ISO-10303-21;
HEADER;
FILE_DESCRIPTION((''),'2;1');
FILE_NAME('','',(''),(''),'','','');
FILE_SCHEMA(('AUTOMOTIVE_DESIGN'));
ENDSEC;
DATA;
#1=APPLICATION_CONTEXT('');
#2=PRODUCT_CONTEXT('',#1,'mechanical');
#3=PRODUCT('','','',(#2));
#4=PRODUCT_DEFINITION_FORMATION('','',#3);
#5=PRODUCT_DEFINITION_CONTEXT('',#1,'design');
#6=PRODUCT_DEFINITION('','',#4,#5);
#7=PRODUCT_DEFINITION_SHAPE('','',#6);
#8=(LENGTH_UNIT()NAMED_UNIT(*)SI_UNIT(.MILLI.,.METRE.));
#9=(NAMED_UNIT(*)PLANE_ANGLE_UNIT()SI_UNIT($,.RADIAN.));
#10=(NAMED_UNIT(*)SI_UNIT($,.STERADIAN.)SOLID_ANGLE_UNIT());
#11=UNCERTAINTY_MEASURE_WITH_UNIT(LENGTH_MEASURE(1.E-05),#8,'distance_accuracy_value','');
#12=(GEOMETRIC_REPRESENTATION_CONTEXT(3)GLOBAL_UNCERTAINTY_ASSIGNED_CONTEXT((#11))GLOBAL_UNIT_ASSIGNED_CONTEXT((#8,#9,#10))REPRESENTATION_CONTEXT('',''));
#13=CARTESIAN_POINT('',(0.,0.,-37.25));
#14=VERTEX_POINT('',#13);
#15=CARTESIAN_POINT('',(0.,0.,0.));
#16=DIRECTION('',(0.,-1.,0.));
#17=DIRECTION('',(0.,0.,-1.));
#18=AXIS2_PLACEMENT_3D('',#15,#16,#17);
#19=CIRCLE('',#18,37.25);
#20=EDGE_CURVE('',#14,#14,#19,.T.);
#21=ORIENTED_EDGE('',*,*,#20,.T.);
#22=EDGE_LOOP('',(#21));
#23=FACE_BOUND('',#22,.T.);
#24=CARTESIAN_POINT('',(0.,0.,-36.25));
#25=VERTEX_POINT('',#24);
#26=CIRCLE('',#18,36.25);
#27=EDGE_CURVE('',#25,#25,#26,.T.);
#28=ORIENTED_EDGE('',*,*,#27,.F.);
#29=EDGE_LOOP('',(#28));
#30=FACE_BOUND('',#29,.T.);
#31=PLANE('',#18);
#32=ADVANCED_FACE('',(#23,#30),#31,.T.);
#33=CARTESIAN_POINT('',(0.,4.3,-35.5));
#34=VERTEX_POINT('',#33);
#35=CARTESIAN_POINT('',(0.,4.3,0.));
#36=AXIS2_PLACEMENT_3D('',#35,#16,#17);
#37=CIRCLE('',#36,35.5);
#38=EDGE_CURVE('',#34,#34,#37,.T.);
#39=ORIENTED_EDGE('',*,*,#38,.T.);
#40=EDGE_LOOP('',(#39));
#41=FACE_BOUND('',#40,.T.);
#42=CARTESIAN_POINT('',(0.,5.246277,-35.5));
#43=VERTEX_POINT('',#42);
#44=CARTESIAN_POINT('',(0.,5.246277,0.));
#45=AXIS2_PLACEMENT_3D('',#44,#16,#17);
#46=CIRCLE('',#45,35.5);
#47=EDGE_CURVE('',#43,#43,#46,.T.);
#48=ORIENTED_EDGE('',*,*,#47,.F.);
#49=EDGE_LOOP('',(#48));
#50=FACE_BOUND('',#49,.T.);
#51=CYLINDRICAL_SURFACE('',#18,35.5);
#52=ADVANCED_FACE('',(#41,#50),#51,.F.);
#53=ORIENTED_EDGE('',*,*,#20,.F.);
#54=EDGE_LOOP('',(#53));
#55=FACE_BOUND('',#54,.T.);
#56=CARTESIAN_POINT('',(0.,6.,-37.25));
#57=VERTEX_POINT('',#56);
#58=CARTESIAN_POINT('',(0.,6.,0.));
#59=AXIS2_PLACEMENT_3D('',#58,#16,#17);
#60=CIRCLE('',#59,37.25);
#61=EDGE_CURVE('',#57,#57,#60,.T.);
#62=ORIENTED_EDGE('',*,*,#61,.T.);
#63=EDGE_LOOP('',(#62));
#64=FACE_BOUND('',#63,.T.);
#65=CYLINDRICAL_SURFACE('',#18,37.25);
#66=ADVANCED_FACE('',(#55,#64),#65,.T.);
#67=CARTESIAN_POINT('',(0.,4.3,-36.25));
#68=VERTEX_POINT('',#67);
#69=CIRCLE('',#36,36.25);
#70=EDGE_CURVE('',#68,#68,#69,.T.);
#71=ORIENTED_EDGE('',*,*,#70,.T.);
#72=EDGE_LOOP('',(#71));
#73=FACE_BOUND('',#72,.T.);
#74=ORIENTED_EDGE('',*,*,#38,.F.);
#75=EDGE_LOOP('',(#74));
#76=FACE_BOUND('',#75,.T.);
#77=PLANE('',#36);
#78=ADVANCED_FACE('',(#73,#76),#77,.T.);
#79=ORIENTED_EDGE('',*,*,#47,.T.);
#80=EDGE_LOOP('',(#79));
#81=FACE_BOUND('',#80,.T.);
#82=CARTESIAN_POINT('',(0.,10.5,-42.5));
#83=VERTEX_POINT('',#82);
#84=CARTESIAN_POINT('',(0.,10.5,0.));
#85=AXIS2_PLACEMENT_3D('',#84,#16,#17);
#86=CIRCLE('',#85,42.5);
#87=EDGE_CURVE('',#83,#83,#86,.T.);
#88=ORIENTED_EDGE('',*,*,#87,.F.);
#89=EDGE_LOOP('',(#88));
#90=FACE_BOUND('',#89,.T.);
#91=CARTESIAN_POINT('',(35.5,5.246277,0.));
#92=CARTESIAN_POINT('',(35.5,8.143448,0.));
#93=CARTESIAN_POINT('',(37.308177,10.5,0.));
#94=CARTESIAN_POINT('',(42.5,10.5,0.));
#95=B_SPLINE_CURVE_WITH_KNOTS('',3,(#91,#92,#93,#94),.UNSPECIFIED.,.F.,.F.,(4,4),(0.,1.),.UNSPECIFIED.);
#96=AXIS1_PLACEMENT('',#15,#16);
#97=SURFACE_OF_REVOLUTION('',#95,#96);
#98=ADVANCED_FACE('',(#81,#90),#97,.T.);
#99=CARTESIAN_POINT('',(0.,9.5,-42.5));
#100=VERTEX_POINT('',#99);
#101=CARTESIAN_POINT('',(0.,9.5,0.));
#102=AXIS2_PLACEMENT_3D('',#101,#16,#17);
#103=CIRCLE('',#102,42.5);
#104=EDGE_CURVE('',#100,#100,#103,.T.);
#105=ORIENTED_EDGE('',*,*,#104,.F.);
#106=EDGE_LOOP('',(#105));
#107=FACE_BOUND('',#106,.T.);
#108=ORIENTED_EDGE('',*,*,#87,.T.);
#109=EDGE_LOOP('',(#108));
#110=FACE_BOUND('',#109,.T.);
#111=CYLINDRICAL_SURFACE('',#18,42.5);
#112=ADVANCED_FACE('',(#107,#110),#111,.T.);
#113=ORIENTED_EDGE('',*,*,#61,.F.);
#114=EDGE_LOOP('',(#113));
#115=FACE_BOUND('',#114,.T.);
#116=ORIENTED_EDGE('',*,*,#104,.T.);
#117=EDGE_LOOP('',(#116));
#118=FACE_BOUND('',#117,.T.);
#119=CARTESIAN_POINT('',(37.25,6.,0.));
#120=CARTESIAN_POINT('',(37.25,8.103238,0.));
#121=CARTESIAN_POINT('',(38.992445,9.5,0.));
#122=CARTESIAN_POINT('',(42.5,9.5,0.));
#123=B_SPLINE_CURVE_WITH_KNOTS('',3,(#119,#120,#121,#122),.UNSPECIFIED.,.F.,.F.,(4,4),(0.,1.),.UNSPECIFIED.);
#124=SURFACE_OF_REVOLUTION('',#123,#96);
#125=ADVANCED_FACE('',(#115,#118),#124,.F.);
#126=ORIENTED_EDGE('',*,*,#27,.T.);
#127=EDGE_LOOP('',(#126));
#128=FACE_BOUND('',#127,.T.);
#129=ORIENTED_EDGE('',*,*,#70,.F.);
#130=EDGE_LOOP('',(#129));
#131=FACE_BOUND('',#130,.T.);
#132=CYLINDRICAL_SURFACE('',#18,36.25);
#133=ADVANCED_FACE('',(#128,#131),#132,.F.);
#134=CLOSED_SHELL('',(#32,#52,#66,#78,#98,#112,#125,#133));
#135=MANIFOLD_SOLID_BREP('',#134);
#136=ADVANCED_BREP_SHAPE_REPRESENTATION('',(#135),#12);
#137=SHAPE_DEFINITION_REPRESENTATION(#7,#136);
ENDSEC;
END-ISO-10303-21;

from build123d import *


with BuildPart() as part:
    # Эскиз1 → Повернуть1 (revolve)
    with BuildSketch(Plane.XY, mode=Mode.PRIVATE) as revolve_1_sk:
        with BuildLine():
            add(Edge.make_bspline(
                [(35.5, 5.246277438), (35.5, 8.143447641), (37.308176534, 10.5), (42.5, 10.5)],
                knots=[0, 0, 0, 0, 1, 1, 1, 1], degree=3))
            Line((42.5, 10.5), (42.5, 9.5))
            add(Edge.make_bspline(
                [(37.25, 6), (37.25, 8.103238244), (38.992444762, 9.5), (42.5, 9.5)],
                knots=[0, 0, 0, 0, 1, 1, 1, 1], degree=3))
            Line((37.25, 6), (37.25, 0))
            Line((37.25, 0), (36.25, 0))
            Line((36.25, 0), (36.25, 4.3))
            Line((36.25, 4.3), (35.5, 4.3))
            Line((35.5, 4.3), (35.5, 5.246277438))
        make_face()
    revolve(revolve_1_sk.sketch.rotate(Axis((0, 0, 0), (0, 1, 0)), 90), axis=Axis((0, 0, 0), (0, 1, 0)))


solid = part.part
